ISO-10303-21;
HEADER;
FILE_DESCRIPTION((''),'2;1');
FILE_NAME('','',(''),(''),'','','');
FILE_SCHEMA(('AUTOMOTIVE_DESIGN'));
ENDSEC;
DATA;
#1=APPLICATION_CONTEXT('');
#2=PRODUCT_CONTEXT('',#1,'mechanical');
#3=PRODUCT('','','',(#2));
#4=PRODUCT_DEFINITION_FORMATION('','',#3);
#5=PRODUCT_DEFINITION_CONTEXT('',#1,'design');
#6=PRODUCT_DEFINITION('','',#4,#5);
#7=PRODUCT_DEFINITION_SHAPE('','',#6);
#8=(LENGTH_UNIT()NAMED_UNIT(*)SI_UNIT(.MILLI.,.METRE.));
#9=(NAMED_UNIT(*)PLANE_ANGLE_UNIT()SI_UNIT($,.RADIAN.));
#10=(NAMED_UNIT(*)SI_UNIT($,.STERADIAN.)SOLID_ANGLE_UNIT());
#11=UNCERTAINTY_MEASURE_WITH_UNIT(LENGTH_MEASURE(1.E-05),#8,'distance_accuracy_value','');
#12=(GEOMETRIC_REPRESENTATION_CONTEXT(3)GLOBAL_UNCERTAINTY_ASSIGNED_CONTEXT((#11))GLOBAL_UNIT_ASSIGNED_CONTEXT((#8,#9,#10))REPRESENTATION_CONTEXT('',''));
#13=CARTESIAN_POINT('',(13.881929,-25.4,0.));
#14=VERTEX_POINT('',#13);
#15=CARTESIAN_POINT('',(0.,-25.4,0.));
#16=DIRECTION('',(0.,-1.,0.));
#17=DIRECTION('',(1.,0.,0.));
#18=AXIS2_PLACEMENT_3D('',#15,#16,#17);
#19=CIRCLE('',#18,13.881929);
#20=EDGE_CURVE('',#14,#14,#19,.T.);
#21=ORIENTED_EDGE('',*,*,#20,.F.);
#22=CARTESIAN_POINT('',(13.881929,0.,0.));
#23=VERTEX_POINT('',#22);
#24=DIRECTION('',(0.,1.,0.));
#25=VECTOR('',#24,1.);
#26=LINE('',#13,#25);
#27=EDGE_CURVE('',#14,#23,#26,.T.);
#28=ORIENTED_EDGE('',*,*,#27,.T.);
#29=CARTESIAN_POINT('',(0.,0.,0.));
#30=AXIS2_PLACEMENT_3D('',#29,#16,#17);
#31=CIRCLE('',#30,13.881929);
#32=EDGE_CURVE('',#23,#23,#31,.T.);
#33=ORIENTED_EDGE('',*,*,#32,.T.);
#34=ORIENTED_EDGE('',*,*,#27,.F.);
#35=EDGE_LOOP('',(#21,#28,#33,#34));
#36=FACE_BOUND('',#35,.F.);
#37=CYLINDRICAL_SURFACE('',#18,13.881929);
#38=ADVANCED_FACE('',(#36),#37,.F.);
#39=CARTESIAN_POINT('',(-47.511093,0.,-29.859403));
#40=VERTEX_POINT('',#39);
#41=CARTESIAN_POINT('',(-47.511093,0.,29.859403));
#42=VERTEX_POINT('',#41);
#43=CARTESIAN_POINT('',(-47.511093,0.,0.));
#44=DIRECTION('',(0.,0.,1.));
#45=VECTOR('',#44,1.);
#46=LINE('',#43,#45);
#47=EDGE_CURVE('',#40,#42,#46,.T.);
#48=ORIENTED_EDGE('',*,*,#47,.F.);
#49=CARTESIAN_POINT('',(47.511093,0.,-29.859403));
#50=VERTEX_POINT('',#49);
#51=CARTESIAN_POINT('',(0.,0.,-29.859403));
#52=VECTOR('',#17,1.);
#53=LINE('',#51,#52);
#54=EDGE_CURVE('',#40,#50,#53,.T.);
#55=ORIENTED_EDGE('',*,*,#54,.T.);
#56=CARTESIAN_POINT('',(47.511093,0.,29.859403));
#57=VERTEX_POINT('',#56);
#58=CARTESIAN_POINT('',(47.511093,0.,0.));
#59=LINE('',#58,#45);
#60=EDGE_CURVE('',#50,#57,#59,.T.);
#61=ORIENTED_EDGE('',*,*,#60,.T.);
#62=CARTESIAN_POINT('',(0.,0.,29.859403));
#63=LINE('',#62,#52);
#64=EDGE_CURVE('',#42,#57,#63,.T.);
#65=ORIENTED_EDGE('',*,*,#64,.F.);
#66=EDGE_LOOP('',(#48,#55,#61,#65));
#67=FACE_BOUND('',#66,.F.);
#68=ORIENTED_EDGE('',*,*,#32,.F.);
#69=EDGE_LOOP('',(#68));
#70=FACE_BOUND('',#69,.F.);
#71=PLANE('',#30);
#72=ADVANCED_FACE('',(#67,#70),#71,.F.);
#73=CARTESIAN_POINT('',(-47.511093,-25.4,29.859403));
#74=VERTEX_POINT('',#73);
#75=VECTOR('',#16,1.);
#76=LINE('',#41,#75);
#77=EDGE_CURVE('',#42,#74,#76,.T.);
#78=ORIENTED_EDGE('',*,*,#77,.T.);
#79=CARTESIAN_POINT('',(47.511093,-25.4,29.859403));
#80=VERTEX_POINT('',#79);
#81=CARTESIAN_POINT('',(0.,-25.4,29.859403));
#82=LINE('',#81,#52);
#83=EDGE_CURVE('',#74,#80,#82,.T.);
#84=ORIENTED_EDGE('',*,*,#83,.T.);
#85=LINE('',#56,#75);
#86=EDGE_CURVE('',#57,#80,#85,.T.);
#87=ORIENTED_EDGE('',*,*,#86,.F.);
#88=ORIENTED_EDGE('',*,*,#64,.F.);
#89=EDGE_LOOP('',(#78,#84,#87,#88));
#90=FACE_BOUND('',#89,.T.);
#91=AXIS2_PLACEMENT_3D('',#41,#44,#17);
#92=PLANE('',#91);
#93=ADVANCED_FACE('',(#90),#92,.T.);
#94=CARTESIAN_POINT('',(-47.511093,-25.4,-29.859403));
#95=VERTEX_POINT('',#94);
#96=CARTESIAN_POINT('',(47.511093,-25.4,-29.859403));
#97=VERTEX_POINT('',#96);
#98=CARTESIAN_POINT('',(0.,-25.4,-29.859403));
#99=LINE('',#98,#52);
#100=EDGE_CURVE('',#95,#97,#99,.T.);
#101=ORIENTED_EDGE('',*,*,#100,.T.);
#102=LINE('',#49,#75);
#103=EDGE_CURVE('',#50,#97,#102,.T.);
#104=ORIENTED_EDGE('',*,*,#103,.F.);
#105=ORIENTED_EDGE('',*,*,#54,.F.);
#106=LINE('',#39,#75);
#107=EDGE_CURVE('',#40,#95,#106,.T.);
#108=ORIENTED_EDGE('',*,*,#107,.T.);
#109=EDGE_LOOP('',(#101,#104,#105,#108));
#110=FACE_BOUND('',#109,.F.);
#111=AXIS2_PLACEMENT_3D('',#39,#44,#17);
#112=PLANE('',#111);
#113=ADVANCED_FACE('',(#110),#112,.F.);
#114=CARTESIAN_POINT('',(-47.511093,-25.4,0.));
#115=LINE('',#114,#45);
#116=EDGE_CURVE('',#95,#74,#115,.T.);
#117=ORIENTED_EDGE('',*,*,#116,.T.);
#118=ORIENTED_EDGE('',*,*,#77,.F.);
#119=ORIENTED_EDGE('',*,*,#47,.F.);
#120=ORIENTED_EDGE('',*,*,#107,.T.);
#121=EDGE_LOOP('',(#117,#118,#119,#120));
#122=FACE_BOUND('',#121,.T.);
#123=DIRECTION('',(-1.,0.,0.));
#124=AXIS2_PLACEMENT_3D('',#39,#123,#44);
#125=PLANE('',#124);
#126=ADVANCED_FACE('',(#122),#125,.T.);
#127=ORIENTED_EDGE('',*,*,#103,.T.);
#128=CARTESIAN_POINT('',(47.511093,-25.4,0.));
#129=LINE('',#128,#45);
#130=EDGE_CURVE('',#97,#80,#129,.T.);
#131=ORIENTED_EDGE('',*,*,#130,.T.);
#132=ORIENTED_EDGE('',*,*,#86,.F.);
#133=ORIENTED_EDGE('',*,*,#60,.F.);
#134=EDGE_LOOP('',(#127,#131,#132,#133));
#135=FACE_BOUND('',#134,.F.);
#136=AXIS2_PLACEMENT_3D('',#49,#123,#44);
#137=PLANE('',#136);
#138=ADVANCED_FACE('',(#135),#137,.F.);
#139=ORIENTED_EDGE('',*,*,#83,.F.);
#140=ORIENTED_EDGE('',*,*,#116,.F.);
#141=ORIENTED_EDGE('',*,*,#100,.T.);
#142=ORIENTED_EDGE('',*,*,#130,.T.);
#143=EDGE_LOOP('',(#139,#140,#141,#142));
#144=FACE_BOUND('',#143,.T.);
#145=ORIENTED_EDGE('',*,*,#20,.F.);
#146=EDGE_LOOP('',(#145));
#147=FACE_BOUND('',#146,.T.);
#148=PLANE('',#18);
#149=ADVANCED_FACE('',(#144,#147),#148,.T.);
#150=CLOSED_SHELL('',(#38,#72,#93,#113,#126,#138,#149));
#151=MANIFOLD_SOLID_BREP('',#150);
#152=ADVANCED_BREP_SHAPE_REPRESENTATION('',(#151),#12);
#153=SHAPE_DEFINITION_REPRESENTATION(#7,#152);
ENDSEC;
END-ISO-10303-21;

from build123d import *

# Parameters (mm, degrees)
F0_W     = 95.022186
F0_H     = 59.718806
F1_DEPTH = 25.4
F2_R     = 13.881929
F3_DEPTH = 25.401


with BuildPart() as f1:
    # F0 (on Front) → F1 (new body)
    with BuildSketch(Plane.XZ):
        Rectangle(F0_W, F0_H)
    extrude(amount=F1_DEPTH)

    # F2 (on face) → F3 (cut, through all)
    with BuildSketch(Plane.XZ.offset(25.4)):
        Circle(F2_R)
    extrude(amount=-F3_DEPTH, mode=Mode.SUBTRACT)


solid = f1.part
